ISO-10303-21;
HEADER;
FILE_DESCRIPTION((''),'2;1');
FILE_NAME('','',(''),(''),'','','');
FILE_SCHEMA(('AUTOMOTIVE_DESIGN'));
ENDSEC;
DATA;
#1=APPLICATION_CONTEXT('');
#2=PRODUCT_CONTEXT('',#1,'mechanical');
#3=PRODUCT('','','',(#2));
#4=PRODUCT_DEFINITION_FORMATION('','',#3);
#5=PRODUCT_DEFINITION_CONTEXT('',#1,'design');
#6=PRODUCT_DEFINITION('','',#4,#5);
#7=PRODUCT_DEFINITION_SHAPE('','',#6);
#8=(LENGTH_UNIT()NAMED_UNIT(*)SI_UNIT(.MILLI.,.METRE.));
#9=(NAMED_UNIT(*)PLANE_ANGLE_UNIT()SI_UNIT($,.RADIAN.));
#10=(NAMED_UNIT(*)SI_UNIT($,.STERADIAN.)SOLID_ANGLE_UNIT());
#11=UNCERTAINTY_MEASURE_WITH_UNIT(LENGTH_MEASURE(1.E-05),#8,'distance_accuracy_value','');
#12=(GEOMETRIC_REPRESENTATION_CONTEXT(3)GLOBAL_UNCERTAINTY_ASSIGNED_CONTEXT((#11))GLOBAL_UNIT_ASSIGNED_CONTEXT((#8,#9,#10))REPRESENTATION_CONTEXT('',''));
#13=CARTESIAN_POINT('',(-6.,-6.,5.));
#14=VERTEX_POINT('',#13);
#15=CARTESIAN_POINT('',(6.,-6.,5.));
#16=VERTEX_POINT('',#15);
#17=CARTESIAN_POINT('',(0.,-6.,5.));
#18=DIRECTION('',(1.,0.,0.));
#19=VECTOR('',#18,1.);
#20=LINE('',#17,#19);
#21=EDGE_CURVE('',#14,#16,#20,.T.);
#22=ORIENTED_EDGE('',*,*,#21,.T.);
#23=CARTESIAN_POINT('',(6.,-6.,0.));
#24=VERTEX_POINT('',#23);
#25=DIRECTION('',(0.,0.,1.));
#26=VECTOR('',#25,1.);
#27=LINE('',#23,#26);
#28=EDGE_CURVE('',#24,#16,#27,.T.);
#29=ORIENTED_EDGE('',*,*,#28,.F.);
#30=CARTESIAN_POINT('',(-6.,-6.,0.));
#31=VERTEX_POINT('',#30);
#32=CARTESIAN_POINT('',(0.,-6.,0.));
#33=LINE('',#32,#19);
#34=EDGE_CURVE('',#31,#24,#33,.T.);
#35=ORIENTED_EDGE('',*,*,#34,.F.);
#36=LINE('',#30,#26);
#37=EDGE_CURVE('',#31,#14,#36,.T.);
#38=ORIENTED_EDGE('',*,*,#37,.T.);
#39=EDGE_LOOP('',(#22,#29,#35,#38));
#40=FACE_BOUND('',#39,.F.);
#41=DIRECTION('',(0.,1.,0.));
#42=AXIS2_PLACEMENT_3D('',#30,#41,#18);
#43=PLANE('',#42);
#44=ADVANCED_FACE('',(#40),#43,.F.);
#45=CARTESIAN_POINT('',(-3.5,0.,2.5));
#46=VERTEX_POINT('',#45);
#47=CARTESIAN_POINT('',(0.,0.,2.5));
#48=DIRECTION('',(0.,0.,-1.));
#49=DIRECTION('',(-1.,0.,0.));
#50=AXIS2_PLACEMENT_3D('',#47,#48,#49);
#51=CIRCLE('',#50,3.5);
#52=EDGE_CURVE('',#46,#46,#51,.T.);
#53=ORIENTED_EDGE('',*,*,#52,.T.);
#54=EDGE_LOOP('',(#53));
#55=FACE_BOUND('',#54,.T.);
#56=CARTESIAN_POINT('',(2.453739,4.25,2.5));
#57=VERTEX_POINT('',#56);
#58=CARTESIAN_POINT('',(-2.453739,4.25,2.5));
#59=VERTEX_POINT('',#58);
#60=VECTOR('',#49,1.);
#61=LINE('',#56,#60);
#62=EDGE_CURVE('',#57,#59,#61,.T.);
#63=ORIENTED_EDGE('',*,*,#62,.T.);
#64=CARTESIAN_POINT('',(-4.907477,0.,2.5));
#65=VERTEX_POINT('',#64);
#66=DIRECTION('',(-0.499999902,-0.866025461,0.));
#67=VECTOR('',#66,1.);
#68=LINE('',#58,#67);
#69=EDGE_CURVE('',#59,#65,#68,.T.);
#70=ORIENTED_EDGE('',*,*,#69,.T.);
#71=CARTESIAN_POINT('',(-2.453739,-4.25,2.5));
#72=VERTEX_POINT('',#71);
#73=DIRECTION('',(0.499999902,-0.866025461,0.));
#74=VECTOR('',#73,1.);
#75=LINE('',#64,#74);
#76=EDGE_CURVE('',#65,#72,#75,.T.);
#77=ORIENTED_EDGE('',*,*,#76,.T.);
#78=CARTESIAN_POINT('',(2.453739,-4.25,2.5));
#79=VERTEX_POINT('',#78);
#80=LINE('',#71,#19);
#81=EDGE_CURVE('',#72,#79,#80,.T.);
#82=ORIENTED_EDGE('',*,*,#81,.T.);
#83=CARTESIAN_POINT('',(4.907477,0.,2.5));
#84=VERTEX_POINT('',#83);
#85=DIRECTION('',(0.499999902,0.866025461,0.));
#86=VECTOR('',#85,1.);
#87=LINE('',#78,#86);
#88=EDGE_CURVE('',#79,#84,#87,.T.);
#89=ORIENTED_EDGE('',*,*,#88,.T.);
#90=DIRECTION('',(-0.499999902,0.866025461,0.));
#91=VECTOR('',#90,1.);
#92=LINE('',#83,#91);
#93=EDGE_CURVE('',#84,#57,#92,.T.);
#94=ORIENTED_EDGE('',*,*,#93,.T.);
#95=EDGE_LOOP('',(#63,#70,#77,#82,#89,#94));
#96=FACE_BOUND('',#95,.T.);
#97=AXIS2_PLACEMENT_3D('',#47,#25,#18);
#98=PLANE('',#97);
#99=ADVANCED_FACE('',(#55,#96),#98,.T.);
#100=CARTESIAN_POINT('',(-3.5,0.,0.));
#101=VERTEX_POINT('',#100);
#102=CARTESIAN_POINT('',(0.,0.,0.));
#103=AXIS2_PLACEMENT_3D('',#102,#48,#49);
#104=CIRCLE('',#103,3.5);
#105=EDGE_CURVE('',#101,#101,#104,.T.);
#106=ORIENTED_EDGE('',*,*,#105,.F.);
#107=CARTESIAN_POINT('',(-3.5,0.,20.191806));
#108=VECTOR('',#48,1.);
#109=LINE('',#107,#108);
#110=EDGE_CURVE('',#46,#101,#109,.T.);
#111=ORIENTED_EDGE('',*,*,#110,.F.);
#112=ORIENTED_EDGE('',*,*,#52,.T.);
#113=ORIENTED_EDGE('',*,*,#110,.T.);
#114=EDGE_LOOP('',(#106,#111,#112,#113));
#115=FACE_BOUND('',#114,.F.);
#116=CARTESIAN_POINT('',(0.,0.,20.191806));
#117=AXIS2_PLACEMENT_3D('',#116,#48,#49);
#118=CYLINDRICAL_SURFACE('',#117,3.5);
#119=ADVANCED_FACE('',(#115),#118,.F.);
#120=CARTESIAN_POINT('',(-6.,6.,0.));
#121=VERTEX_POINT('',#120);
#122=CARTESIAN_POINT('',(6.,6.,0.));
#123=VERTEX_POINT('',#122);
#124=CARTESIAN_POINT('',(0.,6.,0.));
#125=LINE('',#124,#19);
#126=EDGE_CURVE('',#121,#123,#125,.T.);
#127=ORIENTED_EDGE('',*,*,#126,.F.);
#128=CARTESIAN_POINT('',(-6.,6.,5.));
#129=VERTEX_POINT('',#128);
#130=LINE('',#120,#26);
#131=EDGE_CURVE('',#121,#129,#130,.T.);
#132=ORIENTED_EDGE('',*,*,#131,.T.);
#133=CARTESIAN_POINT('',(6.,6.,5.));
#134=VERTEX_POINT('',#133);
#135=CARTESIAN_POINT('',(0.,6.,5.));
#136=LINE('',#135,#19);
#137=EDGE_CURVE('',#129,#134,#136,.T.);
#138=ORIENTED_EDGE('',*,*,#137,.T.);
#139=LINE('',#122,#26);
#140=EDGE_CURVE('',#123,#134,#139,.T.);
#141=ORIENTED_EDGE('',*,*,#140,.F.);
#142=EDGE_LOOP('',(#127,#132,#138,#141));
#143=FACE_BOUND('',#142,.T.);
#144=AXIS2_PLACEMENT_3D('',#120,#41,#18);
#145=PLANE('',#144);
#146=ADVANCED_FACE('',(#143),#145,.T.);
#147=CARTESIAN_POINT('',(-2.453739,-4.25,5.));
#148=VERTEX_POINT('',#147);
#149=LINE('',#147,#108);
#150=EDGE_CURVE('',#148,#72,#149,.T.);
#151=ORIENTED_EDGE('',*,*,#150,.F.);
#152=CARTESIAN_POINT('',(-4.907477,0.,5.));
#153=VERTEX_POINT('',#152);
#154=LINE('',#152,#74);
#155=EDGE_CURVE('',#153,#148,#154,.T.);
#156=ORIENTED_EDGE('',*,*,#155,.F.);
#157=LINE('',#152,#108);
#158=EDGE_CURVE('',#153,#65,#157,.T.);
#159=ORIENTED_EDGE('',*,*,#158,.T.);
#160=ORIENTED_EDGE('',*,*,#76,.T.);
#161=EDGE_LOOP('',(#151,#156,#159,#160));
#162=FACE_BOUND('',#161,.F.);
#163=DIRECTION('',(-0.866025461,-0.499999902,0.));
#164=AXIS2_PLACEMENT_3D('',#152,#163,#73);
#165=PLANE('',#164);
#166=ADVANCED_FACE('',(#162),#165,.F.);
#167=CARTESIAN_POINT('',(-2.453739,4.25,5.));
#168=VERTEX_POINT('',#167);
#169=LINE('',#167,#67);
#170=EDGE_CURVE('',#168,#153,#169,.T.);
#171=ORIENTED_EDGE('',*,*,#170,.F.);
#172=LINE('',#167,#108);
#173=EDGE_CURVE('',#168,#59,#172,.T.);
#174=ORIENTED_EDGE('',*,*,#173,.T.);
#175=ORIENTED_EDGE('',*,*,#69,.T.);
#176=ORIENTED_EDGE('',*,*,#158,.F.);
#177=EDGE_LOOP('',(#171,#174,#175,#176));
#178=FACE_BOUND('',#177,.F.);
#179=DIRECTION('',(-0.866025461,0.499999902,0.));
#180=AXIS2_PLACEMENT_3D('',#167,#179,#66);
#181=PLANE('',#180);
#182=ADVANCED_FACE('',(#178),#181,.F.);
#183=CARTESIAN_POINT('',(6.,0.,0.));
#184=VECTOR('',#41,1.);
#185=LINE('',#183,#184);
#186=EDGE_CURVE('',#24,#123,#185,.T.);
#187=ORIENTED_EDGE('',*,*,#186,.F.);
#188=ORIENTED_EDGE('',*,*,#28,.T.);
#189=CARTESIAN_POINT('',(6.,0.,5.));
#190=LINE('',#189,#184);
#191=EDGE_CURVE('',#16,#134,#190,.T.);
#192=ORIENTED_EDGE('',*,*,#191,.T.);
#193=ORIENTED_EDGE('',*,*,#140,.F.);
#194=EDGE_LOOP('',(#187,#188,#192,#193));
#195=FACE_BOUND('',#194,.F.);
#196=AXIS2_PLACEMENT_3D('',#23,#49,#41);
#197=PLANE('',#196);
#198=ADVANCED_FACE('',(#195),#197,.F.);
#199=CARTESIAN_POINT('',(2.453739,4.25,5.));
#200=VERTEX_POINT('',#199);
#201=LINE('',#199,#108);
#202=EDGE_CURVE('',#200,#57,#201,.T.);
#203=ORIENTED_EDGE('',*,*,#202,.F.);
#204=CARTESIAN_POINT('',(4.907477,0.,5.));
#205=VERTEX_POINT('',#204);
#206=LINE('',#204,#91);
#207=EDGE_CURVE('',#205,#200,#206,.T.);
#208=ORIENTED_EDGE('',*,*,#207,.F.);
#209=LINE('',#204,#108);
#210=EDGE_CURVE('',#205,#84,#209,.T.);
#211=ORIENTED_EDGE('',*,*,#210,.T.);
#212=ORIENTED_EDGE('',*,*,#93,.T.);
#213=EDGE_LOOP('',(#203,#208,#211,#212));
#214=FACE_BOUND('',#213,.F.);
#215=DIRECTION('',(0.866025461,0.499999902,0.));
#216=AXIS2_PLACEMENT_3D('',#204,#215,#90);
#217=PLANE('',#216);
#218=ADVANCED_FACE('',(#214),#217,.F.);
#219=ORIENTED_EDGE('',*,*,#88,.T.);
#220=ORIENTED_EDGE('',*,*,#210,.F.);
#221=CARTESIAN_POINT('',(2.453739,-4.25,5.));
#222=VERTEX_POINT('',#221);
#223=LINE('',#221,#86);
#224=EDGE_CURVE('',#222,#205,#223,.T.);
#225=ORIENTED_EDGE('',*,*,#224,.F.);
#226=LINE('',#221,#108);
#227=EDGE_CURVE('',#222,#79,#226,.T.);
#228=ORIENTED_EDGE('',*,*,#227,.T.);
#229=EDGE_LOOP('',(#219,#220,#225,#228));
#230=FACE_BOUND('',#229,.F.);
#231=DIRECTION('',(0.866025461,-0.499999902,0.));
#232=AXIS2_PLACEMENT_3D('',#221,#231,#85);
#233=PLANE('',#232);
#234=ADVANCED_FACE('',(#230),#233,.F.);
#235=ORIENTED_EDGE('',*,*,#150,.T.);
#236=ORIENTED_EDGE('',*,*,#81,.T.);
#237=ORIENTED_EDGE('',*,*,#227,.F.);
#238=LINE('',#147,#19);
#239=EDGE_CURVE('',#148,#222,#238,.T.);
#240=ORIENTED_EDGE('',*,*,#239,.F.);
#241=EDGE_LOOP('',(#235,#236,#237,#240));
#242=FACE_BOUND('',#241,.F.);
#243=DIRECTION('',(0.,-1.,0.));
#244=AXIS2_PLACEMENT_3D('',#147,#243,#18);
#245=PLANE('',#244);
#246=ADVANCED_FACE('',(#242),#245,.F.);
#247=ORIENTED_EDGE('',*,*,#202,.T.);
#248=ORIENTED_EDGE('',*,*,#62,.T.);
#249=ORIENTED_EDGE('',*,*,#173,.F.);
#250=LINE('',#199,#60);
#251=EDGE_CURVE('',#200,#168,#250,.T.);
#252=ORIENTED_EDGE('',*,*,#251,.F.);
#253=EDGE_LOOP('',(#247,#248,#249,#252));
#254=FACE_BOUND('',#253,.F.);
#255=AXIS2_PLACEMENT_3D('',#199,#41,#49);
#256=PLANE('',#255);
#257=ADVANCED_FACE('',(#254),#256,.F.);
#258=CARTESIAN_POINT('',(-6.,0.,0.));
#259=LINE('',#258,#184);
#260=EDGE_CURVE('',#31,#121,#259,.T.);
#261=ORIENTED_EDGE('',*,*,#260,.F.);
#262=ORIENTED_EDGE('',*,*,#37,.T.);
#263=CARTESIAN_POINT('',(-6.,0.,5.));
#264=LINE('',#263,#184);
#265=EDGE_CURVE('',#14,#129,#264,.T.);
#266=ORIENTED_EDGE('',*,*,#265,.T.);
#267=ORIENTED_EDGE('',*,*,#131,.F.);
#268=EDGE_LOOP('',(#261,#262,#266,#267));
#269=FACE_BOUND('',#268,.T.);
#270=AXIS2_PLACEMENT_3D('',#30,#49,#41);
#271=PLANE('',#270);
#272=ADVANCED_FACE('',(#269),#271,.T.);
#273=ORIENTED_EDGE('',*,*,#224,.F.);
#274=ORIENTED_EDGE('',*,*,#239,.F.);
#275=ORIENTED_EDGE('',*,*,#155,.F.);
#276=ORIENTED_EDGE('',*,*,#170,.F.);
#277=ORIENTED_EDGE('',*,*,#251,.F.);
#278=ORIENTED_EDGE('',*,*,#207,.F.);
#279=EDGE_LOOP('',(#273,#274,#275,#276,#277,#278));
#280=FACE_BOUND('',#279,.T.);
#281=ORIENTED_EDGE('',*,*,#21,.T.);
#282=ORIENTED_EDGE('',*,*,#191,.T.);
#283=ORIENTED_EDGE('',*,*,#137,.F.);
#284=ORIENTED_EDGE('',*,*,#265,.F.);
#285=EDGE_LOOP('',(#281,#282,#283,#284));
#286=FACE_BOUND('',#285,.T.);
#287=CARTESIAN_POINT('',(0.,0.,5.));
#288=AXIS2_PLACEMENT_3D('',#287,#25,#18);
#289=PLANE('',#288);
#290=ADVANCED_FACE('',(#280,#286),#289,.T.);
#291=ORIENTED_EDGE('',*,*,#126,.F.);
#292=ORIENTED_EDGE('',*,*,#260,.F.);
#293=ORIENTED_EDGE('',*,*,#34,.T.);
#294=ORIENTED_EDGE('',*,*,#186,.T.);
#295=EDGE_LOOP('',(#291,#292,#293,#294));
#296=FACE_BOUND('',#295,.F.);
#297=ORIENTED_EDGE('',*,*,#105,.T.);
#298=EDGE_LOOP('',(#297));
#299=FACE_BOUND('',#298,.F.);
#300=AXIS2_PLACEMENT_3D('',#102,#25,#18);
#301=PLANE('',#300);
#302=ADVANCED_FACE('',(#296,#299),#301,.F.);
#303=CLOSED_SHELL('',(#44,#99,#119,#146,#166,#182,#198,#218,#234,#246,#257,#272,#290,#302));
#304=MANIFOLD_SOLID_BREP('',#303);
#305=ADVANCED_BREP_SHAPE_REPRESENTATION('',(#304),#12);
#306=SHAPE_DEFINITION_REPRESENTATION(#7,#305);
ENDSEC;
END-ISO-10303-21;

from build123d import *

# Parameters (mm, degrees)
F0_W     = 12
F0_H     = 12
F1_DEPTH = 5
F3_DEPTH = 2.5
F5_D     = 7


with BuildPart() as f1:
    # F0 (on Top) → F1 (new body)
    with BuildSketch(Plane.XY):
        Rectangle(F0_W, F0_H)
    extrude(amount=F1_DEPTH)

    # F2 (on face) → F3 (cut)
    with BuildSketch(Plane.XY.offset(5)):
        Polygon((2.453739, -4.25), (4.907477, 0), (2.453739, 4.25), (-2.453739, 4.25), (-4.907477, 0), (-2.453739, -4.25), align=None)
    extrude(amount=-F3_DEPTH, mode=Mode.SUBTRACT)

    # F5 (through all)
    with Locations(Plane.XY.offset(2.5)):
        with Locations((0, 0)):
            Hole(F5_D / 2)


solid = f1.part
